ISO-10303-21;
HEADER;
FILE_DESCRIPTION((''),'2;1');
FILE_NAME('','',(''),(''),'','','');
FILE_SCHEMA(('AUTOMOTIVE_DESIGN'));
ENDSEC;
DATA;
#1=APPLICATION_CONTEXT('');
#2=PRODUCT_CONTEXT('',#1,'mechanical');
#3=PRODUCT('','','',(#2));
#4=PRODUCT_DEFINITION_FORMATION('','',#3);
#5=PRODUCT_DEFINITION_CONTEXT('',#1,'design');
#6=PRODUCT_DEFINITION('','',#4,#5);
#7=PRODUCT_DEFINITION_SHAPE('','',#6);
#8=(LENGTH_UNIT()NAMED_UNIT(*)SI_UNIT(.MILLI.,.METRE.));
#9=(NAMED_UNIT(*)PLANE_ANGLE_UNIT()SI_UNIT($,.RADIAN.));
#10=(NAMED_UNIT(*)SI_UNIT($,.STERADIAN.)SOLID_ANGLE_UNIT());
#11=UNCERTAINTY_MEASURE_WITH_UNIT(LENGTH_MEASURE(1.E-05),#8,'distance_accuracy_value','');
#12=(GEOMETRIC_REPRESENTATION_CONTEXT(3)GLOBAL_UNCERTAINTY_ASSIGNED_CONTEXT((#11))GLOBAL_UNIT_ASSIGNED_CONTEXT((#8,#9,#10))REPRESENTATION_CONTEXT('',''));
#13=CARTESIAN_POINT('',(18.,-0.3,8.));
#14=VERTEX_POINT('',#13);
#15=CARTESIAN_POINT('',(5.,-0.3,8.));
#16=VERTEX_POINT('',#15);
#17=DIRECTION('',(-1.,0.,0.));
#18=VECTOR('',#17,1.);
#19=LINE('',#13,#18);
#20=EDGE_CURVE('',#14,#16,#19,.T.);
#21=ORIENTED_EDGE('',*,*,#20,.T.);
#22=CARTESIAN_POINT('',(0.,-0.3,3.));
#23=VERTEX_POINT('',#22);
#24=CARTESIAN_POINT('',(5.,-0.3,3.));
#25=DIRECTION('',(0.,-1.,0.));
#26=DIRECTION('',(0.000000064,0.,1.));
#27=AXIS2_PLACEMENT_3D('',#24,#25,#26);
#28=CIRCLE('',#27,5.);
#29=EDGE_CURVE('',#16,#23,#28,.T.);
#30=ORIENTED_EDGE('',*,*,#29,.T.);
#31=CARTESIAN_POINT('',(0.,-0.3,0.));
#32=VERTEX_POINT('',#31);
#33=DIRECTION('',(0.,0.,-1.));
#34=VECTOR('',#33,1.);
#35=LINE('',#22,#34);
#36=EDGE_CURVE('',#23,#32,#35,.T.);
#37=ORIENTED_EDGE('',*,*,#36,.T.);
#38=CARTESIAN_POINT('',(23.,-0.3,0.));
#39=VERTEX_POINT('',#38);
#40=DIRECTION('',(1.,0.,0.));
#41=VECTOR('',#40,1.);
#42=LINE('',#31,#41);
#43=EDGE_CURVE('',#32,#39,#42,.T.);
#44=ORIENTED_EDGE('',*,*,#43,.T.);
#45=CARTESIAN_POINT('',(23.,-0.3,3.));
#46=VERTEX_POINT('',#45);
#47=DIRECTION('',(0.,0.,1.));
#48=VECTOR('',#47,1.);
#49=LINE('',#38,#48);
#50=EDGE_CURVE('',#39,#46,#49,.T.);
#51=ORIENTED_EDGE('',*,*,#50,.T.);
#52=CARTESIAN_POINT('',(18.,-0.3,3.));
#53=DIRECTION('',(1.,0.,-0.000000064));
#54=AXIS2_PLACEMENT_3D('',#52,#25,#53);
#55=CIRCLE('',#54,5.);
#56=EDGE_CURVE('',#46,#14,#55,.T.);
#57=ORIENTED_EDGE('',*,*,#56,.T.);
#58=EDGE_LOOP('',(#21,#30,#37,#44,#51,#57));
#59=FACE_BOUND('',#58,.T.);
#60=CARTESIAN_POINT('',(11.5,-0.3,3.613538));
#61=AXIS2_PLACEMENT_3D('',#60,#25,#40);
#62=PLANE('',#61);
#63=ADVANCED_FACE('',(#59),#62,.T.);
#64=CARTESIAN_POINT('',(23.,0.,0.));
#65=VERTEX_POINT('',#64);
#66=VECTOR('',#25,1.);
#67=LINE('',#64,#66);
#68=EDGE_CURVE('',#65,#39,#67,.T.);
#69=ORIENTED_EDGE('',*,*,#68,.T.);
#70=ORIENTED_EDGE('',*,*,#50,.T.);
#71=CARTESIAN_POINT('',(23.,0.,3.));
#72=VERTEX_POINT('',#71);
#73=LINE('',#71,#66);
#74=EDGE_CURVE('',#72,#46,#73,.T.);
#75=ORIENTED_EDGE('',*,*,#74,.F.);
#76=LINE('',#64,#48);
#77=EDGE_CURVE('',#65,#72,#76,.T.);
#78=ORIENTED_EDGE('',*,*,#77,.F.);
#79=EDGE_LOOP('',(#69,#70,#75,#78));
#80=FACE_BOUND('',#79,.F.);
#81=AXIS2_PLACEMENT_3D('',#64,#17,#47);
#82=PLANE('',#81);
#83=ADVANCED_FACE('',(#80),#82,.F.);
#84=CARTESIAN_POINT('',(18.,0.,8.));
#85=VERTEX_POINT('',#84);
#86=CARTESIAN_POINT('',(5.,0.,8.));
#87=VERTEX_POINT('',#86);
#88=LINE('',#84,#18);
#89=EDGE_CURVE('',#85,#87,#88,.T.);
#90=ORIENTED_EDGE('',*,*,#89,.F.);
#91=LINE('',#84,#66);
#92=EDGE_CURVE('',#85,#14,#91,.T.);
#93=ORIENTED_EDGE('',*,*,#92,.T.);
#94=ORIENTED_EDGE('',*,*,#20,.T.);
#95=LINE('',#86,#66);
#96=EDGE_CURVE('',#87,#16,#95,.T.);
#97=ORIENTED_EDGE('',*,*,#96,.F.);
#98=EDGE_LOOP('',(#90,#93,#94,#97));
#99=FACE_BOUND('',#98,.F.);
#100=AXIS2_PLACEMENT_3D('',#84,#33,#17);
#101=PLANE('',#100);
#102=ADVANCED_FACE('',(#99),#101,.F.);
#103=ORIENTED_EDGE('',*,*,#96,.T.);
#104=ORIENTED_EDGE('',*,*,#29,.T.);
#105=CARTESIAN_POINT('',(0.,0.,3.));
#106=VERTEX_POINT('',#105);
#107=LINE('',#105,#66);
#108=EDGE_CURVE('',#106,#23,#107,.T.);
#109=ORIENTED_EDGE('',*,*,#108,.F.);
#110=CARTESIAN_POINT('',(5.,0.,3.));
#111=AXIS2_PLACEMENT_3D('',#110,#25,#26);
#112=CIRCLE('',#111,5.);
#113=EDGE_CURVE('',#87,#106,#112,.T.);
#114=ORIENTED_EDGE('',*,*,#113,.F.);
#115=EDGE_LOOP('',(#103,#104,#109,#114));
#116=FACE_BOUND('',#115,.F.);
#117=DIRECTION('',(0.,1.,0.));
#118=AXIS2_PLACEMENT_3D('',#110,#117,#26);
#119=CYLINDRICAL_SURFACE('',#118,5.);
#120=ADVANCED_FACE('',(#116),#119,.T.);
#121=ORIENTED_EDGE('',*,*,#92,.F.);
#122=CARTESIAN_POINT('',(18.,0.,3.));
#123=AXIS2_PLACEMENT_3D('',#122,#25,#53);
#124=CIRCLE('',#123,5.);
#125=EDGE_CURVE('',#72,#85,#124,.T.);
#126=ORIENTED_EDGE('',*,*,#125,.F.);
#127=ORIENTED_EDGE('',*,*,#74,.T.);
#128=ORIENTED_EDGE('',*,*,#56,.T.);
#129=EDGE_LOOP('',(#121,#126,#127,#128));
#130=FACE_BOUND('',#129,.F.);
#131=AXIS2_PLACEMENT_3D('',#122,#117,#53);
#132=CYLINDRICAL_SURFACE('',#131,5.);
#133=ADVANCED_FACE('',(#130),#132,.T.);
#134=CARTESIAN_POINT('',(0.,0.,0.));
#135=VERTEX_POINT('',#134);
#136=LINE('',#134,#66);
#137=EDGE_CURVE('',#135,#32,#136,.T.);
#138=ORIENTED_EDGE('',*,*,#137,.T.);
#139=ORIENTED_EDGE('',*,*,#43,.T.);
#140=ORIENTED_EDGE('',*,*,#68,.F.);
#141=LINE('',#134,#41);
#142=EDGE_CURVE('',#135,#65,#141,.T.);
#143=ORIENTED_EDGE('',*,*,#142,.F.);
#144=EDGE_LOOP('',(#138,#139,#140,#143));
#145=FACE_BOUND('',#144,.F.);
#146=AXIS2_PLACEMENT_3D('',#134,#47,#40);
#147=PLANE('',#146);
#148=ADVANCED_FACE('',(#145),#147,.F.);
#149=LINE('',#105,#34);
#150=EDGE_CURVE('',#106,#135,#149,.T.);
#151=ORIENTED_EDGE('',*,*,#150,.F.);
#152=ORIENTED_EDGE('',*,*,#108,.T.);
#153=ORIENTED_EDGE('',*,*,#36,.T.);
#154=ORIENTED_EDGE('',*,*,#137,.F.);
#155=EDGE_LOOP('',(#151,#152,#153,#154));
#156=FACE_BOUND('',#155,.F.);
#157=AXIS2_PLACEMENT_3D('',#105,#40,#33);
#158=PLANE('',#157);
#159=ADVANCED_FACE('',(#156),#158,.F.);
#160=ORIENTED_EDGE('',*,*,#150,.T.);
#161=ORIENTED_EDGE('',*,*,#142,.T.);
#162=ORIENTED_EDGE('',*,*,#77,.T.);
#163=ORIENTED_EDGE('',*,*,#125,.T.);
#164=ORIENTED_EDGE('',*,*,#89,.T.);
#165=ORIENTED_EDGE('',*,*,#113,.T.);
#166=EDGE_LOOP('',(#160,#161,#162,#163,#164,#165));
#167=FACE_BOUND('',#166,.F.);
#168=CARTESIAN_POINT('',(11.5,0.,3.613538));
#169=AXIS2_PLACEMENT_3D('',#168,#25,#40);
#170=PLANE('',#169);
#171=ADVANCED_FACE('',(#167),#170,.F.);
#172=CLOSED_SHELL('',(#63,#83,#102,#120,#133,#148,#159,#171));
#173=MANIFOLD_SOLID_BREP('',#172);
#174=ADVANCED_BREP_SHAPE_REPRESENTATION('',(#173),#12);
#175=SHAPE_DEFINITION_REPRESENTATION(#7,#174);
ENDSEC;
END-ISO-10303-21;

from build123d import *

# Parameters (mm, degrees)
F1_DEPTH = 0.3


with BuildPart() as f1:
    # F0 (on Front) → F1 (new body)
    with BuildSketch(Plane.XZ):
        with BuildLine():
            Line((0, 3), (0, 0))
            Line((0, 0), (23, 0))
            Line((23, 0), (23, 3))
            ThreePointArc((23, 3), (21.535534, 6.535534), (18, 8))
            Line((18, 8), (5, 8))
            ThreePointArc((5, 8), (1.464466, 6.535534), (0, 3))
        make_face()
    extrude(amount=F1_DEPTH)


solid = f1.part
